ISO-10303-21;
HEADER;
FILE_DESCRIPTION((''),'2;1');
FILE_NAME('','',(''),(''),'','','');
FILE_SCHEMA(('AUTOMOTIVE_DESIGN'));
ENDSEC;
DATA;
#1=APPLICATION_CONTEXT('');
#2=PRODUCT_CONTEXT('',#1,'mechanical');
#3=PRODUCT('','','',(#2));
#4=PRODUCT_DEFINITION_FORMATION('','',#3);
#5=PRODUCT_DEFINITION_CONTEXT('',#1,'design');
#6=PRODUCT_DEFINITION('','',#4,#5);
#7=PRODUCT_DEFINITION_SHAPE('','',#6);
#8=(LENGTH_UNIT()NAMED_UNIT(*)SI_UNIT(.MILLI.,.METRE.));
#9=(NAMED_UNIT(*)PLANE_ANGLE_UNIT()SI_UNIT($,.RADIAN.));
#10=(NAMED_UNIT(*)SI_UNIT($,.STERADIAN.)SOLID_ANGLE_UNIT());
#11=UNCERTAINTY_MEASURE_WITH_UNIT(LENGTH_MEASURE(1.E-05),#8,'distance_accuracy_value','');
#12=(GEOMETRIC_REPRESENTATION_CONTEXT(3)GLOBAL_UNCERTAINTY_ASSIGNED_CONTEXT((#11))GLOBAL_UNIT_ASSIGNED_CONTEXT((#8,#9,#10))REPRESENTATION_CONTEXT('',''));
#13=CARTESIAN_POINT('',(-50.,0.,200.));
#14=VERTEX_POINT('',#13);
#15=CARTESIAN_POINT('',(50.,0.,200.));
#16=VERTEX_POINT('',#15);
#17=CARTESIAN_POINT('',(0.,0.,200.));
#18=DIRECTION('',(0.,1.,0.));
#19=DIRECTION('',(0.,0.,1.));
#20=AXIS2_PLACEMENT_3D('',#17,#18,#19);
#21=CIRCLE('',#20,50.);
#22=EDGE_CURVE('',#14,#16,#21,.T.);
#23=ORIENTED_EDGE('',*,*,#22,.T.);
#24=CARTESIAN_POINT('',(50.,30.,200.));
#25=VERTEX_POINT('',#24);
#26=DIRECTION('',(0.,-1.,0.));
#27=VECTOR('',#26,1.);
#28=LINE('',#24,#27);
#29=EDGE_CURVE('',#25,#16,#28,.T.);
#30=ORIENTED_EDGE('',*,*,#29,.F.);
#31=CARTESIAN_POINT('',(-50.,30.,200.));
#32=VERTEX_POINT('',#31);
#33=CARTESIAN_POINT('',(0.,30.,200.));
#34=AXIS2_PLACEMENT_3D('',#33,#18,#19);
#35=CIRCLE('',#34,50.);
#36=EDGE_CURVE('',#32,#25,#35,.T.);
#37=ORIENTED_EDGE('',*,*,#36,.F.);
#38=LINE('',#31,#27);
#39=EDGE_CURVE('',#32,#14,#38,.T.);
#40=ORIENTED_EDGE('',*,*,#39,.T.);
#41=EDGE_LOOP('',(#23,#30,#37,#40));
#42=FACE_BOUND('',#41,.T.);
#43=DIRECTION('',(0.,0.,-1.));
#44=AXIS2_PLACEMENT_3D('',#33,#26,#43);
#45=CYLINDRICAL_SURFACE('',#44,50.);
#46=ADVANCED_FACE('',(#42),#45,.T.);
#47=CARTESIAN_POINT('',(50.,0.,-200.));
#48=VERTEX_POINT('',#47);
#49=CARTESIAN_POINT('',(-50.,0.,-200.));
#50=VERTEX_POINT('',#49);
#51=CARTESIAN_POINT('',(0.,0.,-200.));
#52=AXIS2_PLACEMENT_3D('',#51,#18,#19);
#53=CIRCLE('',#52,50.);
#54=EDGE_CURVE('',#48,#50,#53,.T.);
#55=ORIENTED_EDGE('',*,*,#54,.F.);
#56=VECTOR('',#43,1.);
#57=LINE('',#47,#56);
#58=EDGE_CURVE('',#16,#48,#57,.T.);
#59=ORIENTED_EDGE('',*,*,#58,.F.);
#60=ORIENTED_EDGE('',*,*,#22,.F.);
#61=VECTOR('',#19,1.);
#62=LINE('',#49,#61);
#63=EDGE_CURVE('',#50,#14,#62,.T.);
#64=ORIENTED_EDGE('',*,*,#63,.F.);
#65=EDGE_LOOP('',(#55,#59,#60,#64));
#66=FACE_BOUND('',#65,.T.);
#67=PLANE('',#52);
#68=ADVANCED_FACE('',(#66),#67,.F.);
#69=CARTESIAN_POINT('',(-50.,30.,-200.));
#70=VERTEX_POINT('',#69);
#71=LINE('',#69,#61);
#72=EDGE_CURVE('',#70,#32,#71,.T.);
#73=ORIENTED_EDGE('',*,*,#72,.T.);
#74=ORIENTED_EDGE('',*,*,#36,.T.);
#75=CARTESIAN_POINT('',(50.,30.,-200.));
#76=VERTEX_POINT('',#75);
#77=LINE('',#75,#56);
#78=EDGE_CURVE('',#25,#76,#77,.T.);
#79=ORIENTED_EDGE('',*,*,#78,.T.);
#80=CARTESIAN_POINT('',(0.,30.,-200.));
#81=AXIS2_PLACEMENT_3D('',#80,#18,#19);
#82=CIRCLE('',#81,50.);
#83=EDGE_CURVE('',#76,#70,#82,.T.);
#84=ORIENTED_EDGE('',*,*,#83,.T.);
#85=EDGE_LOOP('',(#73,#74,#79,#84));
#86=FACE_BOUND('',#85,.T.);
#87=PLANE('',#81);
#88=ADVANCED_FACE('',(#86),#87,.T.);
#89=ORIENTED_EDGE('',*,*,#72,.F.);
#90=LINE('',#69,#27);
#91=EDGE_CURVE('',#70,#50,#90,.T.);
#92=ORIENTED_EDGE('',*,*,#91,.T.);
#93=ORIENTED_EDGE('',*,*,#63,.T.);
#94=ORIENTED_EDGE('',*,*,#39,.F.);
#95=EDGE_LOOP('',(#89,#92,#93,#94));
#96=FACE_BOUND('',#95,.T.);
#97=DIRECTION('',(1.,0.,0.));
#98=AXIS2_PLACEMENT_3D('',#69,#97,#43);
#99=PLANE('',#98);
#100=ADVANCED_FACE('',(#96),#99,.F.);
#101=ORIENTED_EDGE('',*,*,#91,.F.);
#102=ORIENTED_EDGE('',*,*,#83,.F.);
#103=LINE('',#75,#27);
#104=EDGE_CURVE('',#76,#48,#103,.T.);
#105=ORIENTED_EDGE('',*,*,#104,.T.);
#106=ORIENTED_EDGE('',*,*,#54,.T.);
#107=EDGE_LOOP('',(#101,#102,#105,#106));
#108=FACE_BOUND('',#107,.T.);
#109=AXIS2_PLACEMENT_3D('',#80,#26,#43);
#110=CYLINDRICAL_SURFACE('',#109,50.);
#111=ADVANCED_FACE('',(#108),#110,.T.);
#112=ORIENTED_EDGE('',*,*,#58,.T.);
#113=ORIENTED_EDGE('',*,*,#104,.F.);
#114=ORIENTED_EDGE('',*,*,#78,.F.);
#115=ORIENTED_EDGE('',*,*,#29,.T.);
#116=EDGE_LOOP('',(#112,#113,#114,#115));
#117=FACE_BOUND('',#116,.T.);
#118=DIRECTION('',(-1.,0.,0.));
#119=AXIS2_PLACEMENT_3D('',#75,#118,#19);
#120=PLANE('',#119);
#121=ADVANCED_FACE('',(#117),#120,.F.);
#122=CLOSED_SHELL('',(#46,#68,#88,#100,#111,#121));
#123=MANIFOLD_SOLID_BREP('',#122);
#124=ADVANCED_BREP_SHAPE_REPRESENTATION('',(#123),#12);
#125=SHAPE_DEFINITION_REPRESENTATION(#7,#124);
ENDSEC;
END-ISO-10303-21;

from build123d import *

# Parameters (mm, degrees)
EXTRUDE_1_DEPTH = 30


with BuildPart() as part:
    # 草图1 → 凸台-拉伸1 (new body)
    with BuildSketch(Plane(origin=(0, 0, 0), x_dir=(1, 0, 0), z_dir=(0, 1, 0))):
        with BuildLine():
            Line((50, 200), (50, -200))
            ThreePointArc((50, -200), (0, -250), (-50, -200))
            Line((-50, -200), (-50, 200))
            ThreePointArc((-50, 200), (0, 250), (50, 200))
        make_face()
    extrude(amount=EXTRUDE_1_DEPTH)


solid = part.part
